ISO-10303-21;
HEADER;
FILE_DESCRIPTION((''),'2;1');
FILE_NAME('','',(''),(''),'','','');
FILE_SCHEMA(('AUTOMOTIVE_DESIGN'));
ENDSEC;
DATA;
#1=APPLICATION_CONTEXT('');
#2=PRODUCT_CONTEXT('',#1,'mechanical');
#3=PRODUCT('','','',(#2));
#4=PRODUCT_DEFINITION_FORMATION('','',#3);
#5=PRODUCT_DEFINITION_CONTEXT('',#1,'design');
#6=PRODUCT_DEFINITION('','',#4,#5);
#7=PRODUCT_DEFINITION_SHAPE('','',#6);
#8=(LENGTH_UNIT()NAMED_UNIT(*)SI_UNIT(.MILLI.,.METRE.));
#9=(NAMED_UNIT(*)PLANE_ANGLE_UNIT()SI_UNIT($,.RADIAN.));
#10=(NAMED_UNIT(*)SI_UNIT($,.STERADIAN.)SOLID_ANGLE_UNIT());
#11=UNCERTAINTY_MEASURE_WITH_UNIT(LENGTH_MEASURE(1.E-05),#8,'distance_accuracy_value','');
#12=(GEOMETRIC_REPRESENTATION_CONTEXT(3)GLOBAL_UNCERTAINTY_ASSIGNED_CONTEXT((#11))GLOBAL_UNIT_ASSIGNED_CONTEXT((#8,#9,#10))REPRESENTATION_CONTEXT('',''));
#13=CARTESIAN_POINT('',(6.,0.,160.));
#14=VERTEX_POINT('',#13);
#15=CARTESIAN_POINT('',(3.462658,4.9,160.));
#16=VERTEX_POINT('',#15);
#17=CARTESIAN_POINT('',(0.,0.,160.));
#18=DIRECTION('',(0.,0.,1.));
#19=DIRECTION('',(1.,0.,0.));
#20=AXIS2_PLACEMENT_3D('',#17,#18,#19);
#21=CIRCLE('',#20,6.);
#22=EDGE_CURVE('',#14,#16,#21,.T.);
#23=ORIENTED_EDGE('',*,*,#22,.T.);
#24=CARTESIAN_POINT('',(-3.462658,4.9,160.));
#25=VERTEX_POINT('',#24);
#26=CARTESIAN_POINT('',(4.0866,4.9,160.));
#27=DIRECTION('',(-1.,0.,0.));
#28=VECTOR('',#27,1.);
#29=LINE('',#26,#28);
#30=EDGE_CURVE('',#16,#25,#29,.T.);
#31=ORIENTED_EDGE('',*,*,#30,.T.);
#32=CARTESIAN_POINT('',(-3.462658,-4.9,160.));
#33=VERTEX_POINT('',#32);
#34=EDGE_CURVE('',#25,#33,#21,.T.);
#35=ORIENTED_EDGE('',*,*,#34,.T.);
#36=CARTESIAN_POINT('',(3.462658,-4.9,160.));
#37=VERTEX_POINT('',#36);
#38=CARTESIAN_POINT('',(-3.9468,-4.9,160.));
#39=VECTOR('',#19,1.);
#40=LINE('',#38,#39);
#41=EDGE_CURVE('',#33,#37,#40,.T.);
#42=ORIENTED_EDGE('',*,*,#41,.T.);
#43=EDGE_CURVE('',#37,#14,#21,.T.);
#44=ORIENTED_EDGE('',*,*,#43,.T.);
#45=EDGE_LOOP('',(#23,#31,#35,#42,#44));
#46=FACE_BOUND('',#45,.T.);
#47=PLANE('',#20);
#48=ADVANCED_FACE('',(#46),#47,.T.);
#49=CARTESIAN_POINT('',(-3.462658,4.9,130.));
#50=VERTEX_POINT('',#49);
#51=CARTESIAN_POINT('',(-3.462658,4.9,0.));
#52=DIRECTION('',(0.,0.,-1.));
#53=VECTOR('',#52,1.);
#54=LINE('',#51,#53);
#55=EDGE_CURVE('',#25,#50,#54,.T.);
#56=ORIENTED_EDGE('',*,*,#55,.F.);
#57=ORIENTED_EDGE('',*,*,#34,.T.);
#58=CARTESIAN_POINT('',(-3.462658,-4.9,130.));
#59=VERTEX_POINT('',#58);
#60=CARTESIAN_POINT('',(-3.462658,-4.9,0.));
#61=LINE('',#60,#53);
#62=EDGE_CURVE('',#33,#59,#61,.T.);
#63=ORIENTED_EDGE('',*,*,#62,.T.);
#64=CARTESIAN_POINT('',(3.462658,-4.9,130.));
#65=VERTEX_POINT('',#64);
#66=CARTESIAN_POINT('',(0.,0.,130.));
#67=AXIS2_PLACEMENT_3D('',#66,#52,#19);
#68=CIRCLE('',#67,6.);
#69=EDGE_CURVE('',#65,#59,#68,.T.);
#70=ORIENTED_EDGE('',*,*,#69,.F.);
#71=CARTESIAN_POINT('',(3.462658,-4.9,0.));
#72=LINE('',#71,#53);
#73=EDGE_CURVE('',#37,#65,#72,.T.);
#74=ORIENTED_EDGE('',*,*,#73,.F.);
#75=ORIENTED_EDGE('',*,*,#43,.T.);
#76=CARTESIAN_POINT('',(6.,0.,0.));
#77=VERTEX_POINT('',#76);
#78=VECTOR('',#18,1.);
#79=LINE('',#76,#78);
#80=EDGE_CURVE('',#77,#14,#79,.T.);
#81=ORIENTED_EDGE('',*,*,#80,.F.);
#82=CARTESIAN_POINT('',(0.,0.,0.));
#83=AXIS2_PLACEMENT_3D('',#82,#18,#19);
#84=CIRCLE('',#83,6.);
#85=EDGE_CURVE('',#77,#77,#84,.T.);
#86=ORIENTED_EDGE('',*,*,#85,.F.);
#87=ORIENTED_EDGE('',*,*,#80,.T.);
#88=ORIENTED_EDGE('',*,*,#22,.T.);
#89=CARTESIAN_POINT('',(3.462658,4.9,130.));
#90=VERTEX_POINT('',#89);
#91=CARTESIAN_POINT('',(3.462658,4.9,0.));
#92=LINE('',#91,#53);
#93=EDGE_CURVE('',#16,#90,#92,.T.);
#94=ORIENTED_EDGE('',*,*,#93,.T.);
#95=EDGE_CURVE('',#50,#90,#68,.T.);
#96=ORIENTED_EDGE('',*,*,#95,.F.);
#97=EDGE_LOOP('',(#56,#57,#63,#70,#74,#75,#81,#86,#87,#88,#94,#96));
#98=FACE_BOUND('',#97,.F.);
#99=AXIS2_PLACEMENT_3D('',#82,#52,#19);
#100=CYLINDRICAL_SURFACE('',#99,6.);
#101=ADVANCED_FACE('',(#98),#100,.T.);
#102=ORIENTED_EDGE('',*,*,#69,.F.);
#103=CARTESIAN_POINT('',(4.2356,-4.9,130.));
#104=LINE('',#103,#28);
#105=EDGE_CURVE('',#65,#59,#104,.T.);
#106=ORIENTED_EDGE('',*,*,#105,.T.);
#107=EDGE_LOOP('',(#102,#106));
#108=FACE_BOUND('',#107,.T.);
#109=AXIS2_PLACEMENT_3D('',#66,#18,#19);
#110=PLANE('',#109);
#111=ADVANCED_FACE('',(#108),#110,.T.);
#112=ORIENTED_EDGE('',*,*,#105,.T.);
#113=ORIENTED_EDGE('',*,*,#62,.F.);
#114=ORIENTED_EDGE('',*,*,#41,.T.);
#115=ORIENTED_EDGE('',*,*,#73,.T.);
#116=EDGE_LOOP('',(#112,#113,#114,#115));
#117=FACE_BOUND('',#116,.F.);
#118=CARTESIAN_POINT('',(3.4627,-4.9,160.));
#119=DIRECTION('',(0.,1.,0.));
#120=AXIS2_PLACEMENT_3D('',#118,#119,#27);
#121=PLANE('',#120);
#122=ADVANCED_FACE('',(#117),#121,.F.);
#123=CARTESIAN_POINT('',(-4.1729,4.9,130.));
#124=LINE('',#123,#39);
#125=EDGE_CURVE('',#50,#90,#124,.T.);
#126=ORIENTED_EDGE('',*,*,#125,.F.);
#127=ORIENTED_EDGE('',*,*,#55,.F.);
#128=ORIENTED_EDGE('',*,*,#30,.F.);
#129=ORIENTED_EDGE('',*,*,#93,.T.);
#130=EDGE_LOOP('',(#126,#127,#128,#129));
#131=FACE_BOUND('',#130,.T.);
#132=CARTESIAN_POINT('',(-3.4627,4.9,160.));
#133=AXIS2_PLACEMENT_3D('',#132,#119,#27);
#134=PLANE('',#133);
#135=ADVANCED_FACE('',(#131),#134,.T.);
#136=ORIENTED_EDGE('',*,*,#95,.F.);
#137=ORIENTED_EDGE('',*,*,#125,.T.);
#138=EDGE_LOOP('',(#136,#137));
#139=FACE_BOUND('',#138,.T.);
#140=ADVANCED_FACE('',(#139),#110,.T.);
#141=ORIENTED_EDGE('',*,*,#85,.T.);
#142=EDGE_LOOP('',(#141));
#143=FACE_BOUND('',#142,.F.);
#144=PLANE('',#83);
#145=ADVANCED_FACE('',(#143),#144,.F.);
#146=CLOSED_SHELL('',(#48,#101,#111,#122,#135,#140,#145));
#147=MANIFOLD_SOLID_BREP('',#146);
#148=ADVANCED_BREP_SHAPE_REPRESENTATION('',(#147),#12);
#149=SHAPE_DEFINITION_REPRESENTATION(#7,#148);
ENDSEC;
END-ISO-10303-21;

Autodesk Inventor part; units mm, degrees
ref_plane "YZ Plane" through (0, 0, 0) normal (1, 0, 0) x (0, 1, 0)
ref_plane "XZ Plane" through (0, 0, 0) normal (0, 1, 0) x (-1, 0, 0)
ref_plane "XY Plane" through (0, 0, 0) normal (0, 0, 1) x (1, 0, 0)
sketch "Sketch1" plane through (0, 0, 0) normal (0, 0, 1) x (1, 0, 0)
  circle A0 centre (0, 0) radius 6
  dimension "d0" = 12
extrude "Extrusion1" add sketch "Sketch1" along normal blind 160
sketch "Sketch2" plane through (0, 0, 160) normal (0, 0, 1) x (1, 0, 0)
  arc A0 (-3.4627, 4.9) -> (-3.4627, -4.9) centre (0, 0) ccw
  line L0 (-3.4627, 4.9) -> (3.4627, 4.9)
  arc A1 (3.4627, -4.9) -> (3.4627, 4.9) centre (0, 0) ccw
  line L1 (3.4627, -4.9) -> (-3.4627, -4.9)
  line L2 (-4.1729, 7.0025) -> (4.0866, 7.0025)
  line L3 (4.0866, 7.0025) -> (4.0866, 4.9)
  line L4 (4.0866, 4.9) -> (-4.1729, 4.9)
  line L5 (-4.1729, 4.9) -> (-4.1729, 7.0025)
  line L6 (-3.9468, -4.9) -> (4.2356, -4.9)
  line L7 (4.2356, -4.9) -> (4.2356, -6.7965)
  line L8 (4.2356, -6.7965) -> (-3.9468, -6.7965)
  line L9 (-3.9468, -6.7965) -> (-3.9468, -4.9)
  point P0 (-3.4627, 4.9)
  point P1 (3.4627, -4.9)
  point P2 (-3.4627, -4.9)
extrude "Extrusion2" cut sketch "Sketch2" against normal blind 30 contours L4 L5 L2 L3 L0 | L1 L6 L7 L8 L9
properties part number "oś napędowa 12mm"
